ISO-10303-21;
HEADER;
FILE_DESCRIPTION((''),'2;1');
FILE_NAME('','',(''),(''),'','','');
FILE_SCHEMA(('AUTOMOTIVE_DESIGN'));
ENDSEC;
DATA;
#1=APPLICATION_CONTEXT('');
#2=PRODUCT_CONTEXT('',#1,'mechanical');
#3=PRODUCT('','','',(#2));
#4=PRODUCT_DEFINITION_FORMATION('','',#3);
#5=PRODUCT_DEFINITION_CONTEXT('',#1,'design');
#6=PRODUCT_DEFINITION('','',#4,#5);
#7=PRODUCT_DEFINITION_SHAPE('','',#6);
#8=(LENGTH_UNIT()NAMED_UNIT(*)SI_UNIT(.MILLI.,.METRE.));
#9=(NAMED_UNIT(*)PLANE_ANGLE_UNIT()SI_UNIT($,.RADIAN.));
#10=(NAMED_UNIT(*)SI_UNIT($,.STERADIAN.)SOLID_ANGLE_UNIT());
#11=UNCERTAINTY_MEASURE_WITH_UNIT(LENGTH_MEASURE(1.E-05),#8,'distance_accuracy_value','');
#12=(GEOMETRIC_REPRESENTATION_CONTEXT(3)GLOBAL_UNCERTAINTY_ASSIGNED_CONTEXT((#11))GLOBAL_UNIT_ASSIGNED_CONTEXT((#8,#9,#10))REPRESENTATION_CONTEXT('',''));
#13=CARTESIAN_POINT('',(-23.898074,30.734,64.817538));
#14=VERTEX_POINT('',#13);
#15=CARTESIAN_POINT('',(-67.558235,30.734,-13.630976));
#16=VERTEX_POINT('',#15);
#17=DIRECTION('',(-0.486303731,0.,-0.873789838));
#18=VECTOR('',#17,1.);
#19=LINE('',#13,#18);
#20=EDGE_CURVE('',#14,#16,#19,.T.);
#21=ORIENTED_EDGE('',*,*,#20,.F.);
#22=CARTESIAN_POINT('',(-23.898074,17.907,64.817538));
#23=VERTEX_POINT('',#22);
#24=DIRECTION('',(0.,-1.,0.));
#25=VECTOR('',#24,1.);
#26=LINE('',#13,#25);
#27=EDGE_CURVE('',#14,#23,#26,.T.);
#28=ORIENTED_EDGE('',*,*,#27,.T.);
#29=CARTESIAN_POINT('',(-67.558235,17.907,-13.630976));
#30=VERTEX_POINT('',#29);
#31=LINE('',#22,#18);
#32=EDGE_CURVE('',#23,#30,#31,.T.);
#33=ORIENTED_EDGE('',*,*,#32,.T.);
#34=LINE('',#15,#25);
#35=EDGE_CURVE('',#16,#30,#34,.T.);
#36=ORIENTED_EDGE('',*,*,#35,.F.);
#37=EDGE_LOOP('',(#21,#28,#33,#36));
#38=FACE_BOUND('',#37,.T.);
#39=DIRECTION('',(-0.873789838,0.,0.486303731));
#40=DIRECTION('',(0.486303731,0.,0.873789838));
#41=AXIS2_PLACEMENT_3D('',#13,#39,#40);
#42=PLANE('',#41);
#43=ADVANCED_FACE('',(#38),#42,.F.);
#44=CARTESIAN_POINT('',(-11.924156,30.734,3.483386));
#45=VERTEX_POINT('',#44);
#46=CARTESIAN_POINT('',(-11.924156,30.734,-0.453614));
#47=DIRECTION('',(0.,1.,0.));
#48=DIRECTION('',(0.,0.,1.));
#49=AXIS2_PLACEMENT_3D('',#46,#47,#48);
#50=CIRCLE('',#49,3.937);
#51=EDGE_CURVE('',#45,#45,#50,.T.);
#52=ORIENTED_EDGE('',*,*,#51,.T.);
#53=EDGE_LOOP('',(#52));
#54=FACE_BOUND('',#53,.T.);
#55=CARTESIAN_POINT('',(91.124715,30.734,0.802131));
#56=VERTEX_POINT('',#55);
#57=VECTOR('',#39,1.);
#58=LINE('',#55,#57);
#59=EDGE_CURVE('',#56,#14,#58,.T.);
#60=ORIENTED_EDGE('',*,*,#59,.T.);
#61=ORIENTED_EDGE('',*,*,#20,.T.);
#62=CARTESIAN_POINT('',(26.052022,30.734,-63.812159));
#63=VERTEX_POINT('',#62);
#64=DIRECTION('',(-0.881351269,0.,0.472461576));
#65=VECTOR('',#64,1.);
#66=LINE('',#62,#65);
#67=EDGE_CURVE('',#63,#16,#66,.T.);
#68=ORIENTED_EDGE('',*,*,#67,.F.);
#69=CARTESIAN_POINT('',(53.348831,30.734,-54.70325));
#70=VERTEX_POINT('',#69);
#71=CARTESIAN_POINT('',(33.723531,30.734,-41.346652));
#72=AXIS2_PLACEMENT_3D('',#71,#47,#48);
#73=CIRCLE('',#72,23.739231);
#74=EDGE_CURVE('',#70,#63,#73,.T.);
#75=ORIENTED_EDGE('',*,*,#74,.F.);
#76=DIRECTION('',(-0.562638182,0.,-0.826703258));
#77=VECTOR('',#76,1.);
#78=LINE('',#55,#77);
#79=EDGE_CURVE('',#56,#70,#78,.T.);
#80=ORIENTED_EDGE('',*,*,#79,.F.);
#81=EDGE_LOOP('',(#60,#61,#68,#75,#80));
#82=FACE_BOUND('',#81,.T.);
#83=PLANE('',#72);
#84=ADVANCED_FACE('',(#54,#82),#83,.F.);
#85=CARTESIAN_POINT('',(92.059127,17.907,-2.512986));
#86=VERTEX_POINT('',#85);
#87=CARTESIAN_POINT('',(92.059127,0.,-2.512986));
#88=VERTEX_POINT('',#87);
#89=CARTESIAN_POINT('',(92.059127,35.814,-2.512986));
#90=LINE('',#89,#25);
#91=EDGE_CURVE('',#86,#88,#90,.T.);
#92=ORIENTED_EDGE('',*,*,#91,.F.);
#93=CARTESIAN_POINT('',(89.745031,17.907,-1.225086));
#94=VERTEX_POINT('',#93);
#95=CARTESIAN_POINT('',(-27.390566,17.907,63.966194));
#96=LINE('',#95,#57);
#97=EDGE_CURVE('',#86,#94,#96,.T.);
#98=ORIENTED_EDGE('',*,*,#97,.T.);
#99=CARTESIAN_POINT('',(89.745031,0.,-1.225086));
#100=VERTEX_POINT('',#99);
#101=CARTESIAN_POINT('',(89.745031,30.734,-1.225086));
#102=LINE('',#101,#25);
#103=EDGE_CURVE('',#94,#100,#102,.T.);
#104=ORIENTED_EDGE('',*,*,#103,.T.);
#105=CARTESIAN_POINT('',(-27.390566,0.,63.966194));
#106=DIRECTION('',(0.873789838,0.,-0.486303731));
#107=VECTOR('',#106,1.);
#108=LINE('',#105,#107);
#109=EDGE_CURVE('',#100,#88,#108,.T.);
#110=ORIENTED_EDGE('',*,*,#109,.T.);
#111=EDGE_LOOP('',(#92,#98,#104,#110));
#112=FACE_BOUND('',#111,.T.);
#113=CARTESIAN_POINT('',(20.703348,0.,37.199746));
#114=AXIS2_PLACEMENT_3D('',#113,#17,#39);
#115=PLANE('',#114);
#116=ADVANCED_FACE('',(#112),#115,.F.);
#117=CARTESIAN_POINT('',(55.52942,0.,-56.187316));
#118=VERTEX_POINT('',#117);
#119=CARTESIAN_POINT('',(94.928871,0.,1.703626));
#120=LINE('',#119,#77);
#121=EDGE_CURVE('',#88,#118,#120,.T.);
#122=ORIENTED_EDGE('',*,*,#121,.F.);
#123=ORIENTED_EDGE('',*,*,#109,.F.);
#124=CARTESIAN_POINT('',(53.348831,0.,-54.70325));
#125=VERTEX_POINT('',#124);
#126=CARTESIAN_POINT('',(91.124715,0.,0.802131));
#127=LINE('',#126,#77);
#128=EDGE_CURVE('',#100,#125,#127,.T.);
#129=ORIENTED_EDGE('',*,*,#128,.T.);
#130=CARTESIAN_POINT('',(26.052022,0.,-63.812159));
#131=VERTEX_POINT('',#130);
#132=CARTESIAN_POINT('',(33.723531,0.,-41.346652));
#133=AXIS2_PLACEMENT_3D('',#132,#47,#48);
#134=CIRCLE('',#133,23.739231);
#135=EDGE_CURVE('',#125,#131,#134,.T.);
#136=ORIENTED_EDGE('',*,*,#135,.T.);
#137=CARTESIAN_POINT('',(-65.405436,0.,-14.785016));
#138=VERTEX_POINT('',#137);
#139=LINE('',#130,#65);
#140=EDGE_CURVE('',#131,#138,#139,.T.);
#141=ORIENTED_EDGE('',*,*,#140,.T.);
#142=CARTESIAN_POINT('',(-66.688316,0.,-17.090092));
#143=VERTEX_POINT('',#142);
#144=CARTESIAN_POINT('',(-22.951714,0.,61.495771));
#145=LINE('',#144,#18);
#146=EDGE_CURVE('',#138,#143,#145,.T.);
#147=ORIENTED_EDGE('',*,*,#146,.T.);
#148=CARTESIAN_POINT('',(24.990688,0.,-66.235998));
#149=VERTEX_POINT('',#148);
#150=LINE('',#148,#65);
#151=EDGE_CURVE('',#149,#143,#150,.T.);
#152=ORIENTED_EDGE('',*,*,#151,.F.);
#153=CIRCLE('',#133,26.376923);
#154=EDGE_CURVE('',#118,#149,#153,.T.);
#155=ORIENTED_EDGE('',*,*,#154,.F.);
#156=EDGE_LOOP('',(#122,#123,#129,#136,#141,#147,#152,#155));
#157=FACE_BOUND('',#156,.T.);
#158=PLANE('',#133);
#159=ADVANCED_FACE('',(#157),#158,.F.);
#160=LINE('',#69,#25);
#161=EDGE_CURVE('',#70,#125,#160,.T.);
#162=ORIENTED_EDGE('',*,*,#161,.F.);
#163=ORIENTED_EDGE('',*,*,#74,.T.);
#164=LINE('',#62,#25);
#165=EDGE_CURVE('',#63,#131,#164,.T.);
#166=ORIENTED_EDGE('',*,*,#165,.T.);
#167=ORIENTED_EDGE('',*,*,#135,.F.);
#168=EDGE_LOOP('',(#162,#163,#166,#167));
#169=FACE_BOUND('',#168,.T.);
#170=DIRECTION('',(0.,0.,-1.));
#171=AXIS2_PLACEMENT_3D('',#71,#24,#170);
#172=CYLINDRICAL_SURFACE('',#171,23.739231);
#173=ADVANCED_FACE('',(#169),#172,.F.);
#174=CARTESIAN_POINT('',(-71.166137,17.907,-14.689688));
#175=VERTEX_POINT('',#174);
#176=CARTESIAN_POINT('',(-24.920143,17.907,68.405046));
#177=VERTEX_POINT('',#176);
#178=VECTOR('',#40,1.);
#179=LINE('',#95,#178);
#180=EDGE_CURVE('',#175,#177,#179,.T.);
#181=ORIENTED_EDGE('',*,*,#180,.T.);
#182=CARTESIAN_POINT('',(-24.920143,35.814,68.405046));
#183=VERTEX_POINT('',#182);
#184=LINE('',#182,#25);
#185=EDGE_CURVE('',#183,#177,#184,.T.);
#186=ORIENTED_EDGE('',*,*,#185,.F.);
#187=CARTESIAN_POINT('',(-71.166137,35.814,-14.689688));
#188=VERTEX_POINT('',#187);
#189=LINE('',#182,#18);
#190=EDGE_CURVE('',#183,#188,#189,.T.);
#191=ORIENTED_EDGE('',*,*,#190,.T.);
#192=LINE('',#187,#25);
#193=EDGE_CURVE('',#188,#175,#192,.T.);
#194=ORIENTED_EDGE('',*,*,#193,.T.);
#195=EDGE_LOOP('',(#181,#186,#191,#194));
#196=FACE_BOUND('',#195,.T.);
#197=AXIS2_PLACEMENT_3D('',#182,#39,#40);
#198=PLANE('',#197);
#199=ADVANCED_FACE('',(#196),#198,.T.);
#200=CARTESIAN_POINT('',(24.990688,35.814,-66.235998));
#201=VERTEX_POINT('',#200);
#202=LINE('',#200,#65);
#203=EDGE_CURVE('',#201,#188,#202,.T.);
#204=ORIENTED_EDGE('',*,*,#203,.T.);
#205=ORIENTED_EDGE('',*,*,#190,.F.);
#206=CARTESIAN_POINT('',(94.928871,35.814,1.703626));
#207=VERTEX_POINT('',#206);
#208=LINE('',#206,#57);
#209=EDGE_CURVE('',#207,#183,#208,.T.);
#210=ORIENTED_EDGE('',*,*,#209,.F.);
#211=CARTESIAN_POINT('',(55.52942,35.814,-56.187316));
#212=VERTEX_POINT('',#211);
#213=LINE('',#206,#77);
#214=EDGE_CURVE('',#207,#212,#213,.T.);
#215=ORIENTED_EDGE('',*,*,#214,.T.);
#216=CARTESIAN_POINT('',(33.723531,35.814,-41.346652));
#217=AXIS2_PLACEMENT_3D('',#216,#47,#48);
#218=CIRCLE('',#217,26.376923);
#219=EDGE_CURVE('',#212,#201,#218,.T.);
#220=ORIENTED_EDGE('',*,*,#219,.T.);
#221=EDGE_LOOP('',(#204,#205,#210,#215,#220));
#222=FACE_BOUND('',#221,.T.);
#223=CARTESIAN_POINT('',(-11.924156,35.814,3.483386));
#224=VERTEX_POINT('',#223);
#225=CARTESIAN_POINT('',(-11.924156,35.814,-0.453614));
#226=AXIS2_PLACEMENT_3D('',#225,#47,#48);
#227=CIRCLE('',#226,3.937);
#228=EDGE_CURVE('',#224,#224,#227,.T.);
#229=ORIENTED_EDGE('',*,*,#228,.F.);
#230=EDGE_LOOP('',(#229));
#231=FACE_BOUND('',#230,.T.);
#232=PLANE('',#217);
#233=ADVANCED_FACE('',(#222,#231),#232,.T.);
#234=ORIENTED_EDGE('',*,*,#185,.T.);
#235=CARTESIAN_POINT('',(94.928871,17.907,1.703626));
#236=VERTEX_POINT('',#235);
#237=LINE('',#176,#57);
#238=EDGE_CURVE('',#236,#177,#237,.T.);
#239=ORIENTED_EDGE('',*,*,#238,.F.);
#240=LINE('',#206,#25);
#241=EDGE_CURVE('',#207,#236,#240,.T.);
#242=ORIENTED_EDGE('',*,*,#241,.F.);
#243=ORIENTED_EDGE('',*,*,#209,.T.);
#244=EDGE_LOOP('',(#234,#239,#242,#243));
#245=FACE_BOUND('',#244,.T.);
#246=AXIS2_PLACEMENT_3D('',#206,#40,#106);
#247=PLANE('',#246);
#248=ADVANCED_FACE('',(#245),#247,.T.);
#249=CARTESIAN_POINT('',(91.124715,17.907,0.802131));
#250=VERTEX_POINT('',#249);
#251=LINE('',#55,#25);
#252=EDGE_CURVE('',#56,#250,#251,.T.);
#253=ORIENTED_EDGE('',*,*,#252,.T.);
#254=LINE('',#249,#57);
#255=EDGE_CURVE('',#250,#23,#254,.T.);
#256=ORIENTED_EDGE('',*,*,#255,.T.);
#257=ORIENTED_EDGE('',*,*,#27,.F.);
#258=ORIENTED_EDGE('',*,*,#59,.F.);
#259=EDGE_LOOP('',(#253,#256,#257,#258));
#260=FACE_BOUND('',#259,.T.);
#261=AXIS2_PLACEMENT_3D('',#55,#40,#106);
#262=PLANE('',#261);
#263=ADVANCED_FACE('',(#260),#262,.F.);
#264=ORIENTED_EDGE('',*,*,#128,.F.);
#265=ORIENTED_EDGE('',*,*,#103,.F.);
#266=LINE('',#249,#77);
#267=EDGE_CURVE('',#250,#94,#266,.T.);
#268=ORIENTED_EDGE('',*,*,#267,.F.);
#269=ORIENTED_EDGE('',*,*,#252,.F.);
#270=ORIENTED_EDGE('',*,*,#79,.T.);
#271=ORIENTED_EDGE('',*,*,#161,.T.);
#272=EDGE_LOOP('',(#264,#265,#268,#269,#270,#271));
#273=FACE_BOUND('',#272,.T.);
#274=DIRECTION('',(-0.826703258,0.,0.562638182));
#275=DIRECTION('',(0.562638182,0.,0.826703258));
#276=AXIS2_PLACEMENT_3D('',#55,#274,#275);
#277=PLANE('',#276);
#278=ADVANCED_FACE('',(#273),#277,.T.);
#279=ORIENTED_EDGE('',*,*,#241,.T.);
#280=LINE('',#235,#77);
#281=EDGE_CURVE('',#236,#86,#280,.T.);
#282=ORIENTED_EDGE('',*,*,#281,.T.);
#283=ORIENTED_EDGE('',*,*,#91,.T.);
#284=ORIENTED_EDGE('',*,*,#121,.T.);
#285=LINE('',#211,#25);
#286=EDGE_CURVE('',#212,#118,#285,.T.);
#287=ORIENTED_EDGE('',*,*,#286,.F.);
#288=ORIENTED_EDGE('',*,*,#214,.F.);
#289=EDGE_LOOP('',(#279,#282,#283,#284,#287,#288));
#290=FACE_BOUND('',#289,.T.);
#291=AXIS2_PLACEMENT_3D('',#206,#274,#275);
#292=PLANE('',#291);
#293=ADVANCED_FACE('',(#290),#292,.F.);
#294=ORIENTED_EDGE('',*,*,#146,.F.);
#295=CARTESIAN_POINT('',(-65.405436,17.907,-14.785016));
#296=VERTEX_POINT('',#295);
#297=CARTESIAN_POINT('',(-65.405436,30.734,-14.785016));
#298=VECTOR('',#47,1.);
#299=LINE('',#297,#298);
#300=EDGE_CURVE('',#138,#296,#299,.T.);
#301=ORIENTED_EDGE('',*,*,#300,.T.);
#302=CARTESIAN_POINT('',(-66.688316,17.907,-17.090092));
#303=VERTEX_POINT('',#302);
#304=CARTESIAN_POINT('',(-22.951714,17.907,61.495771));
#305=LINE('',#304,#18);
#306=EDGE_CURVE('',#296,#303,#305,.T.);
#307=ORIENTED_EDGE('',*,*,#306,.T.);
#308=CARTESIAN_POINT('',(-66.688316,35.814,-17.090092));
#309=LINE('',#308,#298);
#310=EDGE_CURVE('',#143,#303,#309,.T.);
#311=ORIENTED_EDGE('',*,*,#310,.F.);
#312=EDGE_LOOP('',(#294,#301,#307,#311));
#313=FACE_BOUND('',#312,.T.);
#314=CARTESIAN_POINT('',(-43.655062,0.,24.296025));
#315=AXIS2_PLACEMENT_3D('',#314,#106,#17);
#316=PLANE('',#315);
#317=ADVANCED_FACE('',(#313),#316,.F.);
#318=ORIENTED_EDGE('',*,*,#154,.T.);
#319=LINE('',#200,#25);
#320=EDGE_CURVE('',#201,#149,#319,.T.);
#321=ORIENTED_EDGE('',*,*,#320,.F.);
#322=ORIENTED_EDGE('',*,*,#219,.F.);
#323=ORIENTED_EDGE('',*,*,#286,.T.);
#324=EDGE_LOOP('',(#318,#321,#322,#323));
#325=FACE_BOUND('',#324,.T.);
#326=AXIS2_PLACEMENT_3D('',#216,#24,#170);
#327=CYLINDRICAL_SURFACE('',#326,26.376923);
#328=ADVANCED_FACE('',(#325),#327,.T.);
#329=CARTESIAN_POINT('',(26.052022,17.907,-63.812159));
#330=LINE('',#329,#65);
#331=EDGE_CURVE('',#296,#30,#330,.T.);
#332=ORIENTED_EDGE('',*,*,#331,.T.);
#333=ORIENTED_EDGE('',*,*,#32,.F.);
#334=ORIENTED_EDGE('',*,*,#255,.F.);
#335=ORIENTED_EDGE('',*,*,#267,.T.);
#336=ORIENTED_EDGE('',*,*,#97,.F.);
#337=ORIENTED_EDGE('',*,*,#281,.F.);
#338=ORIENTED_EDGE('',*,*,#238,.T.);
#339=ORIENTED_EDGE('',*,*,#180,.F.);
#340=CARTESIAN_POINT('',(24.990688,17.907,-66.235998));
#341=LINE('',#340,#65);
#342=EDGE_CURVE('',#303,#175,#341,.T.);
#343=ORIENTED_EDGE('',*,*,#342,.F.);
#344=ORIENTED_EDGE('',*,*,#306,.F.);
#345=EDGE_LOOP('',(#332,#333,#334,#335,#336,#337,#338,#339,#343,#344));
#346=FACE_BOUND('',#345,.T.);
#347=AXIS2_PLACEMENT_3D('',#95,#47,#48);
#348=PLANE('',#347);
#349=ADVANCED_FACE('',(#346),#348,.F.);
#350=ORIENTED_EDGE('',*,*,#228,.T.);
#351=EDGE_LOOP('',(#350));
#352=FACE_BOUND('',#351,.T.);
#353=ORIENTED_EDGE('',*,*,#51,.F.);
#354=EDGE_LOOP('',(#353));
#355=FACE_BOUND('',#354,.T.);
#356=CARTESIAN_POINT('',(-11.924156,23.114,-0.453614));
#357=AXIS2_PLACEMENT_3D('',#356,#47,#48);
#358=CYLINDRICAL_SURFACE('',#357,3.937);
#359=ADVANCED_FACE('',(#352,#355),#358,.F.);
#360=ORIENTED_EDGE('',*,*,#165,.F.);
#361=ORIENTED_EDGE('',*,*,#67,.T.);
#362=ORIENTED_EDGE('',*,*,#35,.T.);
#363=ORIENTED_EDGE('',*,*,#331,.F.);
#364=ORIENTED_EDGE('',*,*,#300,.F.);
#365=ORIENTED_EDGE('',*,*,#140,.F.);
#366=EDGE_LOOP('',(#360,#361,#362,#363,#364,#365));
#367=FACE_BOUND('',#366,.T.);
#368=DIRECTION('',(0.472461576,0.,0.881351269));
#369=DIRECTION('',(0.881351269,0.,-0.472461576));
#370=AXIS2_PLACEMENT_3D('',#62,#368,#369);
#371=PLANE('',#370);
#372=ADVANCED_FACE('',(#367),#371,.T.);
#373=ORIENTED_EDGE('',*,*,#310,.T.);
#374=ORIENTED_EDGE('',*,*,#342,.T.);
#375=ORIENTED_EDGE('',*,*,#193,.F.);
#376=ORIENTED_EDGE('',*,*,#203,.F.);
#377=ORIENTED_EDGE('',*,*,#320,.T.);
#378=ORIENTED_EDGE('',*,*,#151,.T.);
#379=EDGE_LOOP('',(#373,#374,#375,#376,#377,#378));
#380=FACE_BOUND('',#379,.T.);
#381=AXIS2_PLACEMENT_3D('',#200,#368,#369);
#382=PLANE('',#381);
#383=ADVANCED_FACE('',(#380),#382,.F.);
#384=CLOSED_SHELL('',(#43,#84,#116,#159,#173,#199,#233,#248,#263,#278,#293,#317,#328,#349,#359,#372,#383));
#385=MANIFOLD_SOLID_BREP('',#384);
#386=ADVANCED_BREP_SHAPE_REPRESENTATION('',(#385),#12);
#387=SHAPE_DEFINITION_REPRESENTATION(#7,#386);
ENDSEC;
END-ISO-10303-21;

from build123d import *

# Parameters (mm, degrees)
BOSS_EXTRUDE1_DEPTH = 35.814
CUT_EXTRUDE1_DEPTH  = 30.734
SKETCH5_R           = 3.937
CUT_EXTRUDE2_DEPTH  = 12.7
SKETCH7_W           = 137.16
SKETCH7_H           = 17.907
CUT_EXTRUDE3_DEPTH  = 5.08
SKETCH8_W           = 90.016933803
SKETCH8_H           = 17.907
CUT_EXTRUDE4_DEPTH  = 5.08


with BuildPart() as part:
    # Sketch1 → Boss-Extrude1 (new body)
    with BuildSketch(Plane(origin=(0, 0, 0), x_dir=(1, 0, 0), z_dir=(0, 1, 0))):
        with BuildLine():
            Line((94.928870908, -1.703626264), (55.529419709, 56.18731626))
            ThreePointArc((55.529419709, 56.18731626), (41.967930942, 66.402029849), (24.990687805, 66.235997574))
            Line((24.990687805, 66.235997574), (-71.166136997, 14.689688471))
            Line((-71.166136997, 14.689688471), (-24.920143323, -68.405045948))
            Line((-24.920143323, -68.405045948), (94.928870908, -1.703626264))
        make_face()
    extrude(amount=BOSS_EXTRUDE1_DEPTH)

    # Sketch1<6> → Cut-Extrude1 (cut)
    with BuildSketch(Plane(origin=(0, 0, 0), x_dir=(1, 0, 0), z_dir=(0, 1, 0))):
        with BuildLine():
            Line((26.052021788, 63.812159478), (-67.558235137, 13.630976306))
            Line((-67.558235137, 13.630976306), (-23.898074198, -64.817537603))
            Line((-23.898074198, -64.817537603), (91.124715274, -0.802131195))
            Line((91.124715274, -0.802131195), (53.348830885, 54.703249855))
            ThreePointArc((53.348830885, 54.703249855), (41.23793969, 63.8651945), (26.052021788, 63.812159478))
        make_face()
    extrude(amount=CUT_EXTRUDE1_DEPTH, mode=Mode.SUBTRACT)

    # Sketch5 → Cut-Extrude2 (cut)
    with BuildSketch(Plane(origin=(0, 35.814, 0), x_dir=(1, 0, 0), z_dir=(0, 1, 0))):
        with Locations((-11.924156141, 0.45361366)):
            Circle(SKETCH5_R)
    extrude(amount=-CUT_EXTRUDE2_DEPTH, mode=Mode.SUBTRACT)

    # Sketch7 → Cut-Extrude3 (cut)
    with BuildSketch(Plane(origin=(23.173771068, 0, 41.638598275), x_dir=(0.8737898383745012, 0, -0.48630373055680265), z_dir=(0.48630373055680265, 0, 0.8737898383745012))):
        with Locations((13.53940296, 8.9535)):
            Rectangle(SKETCH7_W, SKETCH7_H)
    extrude(amount=-CUT_EXTRUDE3_DEPTH, mode=Mode.SUBTRACT)

    # Sketch8 → Cut-Extrude4 (cut)
    with BuildSketch(Plane(origin=(-48.093914392, 0, 26.766447673), x_dir=(0.48630373055680204, 0, 0.8737898383745015), z_dir=(-0.8737898383745015, 0, 0.4863037305568021))):
        with Locations((-2.435591524, 8.9535)):
            Rectangle(SKETCH8_W, SKETCH8_H)
    extrude(amount=-CUT_EXTRUDE4_DEPTH, mode=Mode.SUBTRACT)


solid = part.part
